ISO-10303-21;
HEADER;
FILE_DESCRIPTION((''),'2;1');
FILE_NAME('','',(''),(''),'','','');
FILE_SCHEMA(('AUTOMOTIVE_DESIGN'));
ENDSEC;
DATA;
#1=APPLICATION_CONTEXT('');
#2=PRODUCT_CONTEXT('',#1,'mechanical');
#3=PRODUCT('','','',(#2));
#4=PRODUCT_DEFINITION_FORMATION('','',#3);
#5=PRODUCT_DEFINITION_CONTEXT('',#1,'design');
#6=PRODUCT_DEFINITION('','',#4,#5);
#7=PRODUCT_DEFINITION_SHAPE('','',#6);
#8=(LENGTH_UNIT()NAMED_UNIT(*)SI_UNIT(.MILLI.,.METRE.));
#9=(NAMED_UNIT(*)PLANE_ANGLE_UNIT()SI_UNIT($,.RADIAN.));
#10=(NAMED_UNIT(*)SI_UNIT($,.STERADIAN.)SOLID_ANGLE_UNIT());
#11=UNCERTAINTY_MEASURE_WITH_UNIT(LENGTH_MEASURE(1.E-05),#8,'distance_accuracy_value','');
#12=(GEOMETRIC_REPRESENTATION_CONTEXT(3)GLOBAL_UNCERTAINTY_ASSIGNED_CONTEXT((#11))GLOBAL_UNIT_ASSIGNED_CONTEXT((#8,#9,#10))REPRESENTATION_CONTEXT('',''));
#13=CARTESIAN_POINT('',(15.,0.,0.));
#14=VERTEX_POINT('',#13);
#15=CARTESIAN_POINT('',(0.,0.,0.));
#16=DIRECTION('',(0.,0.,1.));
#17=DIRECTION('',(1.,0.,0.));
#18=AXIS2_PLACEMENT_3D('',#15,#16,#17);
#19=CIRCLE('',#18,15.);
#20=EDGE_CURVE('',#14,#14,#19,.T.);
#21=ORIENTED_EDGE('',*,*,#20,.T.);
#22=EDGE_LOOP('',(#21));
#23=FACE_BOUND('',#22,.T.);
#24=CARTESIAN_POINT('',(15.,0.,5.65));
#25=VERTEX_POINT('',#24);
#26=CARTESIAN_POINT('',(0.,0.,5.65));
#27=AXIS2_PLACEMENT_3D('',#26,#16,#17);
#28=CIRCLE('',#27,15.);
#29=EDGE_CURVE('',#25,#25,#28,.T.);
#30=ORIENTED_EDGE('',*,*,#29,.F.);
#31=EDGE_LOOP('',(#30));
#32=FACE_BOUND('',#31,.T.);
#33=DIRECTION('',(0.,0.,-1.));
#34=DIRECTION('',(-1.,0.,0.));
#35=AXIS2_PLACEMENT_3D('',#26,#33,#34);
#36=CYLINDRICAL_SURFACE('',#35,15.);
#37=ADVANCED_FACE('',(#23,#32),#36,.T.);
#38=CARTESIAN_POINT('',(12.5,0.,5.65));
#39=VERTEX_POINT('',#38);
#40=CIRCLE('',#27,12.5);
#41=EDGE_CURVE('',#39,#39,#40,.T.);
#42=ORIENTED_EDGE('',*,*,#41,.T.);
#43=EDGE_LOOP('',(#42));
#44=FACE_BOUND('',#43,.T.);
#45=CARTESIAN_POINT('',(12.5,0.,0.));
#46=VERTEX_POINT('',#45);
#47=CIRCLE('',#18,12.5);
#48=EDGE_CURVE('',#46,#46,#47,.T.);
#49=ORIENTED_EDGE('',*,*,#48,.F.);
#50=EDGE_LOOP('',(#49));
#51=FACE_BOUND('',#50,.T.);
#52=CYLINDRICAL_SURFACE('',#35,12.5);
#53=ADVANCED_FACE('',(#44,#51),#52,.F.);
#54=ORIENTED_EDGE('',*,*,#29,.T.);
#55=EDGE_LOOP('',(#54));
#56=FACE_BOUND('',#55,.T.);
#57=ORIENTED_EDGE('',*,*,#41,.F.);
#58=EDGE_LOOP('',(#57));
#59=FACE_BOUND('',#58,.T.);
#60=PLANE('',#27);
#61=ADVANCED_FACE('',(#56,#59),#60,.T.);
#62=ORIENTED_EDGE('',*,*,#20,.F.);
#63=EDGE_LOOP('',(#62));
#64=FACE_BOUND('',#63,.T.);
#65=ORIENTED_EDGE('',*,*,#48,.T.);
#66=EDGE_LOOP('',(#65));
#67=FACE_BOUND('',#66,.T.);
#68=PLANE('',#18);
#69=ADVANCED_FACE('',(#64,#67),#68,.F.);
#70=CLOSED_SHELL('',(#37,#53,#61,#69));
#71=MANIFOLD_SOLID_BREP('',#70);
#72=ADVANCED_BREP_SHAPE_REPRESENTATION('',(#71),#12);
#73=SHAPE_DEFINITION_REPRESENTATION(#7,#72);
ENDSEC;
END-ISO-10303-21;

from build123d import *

# Parameters (mm, degrees)
SZKIC1_R                    = 15
SZKIC1_R_2                  = 12.5
DODANIE_WYCI_GNI_CIE1_DEPTH = 5.65


with BuildPart() as part:
    # Szkic1 → Dodanie-wyciągnięcie1 (new body)
    with BuildSketch(Plane.XY):
        Circle(SZKIC1_R)
        Circle(SZKIC1_R_2, mode=Mode.SUBTRACT)
    extrude(amount=DODANIE_WYCI_GNI_CIE1_DEPTH)


solid = part.part
